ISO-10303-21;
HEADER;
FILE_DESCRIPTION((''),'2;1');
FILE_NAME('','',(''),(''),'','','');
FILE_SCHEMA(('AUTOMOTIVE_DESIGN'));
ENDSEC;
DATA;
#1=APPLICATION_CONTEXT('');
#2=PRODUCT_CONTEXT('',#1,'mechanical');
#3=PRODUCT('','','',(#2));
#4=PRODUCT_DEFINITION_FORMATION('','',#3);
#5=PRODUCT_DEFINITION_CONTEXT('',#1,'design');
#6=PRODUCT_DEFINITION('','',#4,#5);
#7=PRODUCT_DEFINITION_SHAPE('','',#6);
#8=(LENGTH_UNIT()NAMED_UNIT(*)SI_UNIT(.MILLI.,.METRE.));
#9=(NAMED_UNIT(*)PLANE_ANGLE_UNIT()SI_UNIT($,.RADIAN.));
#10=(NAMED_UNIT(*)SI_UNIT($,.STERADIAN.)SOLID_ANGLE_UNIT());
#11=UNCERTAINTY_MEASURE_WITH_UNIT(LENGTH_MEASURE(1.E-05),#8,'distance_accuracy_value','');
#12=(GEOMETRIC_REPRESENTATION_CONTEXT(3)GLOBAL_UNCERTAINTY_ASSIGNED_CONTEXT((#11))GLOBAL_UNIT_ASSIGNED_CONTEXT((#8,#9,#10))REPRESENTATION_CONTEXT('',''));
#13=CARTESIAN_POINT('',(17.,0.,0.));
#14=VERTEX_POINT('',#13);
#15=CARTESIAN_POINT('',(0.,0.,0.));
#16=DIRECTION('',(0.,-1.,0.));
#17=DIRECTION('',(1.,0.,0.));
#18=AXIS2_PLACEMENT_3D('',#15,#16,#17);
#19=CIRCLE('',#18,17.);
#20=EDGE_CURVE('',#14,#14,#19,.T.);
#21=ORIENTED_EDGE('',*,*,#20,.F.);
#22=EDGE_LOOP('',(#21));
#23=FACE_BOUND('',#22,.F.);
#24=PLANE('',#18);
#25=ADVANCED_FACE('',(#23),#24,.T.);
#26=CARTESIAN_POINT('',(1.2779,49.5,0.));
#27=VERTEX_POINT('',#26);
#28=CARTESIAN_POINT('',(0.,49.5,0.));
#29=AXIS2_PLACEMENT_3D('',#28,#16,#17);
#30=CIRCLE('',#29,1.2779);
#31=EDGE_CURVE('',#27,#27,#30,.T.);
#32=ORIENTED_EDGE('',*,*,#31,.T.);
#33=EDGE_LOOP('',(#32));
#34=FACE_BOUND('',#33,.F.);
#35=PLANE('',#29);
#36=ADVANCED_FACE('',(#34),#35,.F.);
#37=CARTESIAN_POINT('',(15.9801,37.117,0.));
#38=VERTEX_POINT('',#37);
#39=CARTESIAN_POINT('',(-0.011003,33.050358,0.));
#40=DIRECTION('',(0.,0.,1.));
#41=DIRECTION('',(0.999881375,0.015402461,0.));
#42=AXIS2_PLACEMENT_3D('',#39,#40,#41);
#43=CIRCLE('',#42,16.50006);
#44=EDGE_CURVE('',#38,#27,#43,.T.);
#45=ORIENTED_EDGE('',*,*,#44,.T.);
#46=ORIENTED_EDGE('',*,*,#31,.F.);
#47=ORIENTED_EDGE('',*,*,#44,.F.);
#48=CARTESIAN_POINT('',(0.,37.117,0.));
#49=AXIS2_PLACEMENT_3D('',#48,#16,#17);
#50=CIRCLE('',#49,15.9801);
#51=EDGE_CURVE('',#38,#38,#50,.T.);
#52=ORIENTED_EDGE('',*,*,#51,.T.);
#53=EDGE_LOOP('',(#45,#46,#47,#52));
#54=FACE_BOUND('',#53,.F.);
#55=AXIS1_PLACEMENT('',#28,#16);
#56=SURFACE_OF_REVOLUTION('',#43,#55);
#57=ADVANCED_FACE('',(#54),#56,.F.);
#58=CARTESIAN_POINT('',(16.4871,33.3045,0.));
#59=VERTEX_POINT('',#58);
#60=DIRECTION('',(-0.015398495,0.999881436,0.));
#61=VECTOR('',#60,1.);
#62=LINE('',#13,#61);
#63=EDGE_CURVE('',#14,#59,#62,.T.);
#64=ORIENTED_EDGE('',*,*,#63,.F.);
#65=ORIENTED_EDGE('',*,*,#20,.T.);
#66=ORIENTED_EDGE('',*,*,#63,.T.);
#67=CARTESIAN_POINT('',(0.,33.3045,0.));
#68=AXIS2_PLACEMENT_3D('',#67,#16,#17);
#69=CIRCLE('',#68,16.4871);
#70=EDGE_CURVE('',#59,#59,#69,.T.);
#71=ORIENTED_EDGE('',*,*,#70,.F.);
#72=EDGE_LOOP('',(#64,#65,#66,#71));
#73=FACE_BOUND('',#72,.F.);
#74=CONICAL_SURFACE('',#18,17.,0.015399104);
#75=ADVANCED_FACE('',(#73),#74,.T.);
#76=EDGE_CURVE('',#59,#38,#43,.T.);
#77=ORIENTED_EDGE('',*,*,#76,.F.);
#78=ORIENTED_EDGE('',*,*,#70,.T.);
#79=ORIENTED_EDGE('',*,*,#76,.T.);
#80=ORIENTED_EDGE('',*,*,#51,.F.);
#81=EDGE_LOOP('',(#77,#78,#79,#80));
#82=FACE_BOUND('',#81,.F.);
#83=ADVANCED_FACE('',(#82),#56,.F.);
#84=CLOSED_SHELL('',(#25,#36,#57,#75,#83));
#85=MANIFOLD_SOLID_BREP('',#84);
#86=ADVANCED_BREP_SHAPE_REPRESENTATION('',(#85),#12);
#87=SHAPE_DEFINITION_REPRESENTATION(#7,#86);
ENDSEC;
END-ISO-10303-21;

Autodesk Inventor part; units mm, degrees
ref_plane "YZ Plane" through (0, 0, 0) normal (1, 0, 0) x (0, 1, 0)
ref_plane "XZ Plane" through (0, 0, 0) normal (0, 1, 0) x (-1, 0, 0)
ref_plane "XY Plane" through (0, 0, 0) normal (0, 0, 1) x (1, 0, 0)
ref_plane "Arbeitsebene1" through (0, 0, 0) normal (0, 0, 1) x (1, 0, 0)
sketch "Skizze1" plane through (0, 0, 0) normal (0, 0, 1) x (1, 0, 0)
  line L0 (0, 0) -> (17, 0)
  line L1 (1.2779, 49.5) -> (0, 49.5)
  line L2 (0, 49.5) -> (0, 0)
  arc A0 (16.4871, 33.3045) -> (1.2779, 49.5) centre (-0.0109, 33.0504) ccw
  line L3 (15.9801, 37.117) -> (15.9673, 37.5832)
  line L4 (17, 0) -> (16.4871, 33.3045)
  dimension "d2" = 33
revolve "Umdrehung1" add sketch "Skizze1" angle 360 about axis through (0, 49.5, 0) along (0, -1, 0)
properties part number "bat_handle" material "ABS-Kunststoff"
